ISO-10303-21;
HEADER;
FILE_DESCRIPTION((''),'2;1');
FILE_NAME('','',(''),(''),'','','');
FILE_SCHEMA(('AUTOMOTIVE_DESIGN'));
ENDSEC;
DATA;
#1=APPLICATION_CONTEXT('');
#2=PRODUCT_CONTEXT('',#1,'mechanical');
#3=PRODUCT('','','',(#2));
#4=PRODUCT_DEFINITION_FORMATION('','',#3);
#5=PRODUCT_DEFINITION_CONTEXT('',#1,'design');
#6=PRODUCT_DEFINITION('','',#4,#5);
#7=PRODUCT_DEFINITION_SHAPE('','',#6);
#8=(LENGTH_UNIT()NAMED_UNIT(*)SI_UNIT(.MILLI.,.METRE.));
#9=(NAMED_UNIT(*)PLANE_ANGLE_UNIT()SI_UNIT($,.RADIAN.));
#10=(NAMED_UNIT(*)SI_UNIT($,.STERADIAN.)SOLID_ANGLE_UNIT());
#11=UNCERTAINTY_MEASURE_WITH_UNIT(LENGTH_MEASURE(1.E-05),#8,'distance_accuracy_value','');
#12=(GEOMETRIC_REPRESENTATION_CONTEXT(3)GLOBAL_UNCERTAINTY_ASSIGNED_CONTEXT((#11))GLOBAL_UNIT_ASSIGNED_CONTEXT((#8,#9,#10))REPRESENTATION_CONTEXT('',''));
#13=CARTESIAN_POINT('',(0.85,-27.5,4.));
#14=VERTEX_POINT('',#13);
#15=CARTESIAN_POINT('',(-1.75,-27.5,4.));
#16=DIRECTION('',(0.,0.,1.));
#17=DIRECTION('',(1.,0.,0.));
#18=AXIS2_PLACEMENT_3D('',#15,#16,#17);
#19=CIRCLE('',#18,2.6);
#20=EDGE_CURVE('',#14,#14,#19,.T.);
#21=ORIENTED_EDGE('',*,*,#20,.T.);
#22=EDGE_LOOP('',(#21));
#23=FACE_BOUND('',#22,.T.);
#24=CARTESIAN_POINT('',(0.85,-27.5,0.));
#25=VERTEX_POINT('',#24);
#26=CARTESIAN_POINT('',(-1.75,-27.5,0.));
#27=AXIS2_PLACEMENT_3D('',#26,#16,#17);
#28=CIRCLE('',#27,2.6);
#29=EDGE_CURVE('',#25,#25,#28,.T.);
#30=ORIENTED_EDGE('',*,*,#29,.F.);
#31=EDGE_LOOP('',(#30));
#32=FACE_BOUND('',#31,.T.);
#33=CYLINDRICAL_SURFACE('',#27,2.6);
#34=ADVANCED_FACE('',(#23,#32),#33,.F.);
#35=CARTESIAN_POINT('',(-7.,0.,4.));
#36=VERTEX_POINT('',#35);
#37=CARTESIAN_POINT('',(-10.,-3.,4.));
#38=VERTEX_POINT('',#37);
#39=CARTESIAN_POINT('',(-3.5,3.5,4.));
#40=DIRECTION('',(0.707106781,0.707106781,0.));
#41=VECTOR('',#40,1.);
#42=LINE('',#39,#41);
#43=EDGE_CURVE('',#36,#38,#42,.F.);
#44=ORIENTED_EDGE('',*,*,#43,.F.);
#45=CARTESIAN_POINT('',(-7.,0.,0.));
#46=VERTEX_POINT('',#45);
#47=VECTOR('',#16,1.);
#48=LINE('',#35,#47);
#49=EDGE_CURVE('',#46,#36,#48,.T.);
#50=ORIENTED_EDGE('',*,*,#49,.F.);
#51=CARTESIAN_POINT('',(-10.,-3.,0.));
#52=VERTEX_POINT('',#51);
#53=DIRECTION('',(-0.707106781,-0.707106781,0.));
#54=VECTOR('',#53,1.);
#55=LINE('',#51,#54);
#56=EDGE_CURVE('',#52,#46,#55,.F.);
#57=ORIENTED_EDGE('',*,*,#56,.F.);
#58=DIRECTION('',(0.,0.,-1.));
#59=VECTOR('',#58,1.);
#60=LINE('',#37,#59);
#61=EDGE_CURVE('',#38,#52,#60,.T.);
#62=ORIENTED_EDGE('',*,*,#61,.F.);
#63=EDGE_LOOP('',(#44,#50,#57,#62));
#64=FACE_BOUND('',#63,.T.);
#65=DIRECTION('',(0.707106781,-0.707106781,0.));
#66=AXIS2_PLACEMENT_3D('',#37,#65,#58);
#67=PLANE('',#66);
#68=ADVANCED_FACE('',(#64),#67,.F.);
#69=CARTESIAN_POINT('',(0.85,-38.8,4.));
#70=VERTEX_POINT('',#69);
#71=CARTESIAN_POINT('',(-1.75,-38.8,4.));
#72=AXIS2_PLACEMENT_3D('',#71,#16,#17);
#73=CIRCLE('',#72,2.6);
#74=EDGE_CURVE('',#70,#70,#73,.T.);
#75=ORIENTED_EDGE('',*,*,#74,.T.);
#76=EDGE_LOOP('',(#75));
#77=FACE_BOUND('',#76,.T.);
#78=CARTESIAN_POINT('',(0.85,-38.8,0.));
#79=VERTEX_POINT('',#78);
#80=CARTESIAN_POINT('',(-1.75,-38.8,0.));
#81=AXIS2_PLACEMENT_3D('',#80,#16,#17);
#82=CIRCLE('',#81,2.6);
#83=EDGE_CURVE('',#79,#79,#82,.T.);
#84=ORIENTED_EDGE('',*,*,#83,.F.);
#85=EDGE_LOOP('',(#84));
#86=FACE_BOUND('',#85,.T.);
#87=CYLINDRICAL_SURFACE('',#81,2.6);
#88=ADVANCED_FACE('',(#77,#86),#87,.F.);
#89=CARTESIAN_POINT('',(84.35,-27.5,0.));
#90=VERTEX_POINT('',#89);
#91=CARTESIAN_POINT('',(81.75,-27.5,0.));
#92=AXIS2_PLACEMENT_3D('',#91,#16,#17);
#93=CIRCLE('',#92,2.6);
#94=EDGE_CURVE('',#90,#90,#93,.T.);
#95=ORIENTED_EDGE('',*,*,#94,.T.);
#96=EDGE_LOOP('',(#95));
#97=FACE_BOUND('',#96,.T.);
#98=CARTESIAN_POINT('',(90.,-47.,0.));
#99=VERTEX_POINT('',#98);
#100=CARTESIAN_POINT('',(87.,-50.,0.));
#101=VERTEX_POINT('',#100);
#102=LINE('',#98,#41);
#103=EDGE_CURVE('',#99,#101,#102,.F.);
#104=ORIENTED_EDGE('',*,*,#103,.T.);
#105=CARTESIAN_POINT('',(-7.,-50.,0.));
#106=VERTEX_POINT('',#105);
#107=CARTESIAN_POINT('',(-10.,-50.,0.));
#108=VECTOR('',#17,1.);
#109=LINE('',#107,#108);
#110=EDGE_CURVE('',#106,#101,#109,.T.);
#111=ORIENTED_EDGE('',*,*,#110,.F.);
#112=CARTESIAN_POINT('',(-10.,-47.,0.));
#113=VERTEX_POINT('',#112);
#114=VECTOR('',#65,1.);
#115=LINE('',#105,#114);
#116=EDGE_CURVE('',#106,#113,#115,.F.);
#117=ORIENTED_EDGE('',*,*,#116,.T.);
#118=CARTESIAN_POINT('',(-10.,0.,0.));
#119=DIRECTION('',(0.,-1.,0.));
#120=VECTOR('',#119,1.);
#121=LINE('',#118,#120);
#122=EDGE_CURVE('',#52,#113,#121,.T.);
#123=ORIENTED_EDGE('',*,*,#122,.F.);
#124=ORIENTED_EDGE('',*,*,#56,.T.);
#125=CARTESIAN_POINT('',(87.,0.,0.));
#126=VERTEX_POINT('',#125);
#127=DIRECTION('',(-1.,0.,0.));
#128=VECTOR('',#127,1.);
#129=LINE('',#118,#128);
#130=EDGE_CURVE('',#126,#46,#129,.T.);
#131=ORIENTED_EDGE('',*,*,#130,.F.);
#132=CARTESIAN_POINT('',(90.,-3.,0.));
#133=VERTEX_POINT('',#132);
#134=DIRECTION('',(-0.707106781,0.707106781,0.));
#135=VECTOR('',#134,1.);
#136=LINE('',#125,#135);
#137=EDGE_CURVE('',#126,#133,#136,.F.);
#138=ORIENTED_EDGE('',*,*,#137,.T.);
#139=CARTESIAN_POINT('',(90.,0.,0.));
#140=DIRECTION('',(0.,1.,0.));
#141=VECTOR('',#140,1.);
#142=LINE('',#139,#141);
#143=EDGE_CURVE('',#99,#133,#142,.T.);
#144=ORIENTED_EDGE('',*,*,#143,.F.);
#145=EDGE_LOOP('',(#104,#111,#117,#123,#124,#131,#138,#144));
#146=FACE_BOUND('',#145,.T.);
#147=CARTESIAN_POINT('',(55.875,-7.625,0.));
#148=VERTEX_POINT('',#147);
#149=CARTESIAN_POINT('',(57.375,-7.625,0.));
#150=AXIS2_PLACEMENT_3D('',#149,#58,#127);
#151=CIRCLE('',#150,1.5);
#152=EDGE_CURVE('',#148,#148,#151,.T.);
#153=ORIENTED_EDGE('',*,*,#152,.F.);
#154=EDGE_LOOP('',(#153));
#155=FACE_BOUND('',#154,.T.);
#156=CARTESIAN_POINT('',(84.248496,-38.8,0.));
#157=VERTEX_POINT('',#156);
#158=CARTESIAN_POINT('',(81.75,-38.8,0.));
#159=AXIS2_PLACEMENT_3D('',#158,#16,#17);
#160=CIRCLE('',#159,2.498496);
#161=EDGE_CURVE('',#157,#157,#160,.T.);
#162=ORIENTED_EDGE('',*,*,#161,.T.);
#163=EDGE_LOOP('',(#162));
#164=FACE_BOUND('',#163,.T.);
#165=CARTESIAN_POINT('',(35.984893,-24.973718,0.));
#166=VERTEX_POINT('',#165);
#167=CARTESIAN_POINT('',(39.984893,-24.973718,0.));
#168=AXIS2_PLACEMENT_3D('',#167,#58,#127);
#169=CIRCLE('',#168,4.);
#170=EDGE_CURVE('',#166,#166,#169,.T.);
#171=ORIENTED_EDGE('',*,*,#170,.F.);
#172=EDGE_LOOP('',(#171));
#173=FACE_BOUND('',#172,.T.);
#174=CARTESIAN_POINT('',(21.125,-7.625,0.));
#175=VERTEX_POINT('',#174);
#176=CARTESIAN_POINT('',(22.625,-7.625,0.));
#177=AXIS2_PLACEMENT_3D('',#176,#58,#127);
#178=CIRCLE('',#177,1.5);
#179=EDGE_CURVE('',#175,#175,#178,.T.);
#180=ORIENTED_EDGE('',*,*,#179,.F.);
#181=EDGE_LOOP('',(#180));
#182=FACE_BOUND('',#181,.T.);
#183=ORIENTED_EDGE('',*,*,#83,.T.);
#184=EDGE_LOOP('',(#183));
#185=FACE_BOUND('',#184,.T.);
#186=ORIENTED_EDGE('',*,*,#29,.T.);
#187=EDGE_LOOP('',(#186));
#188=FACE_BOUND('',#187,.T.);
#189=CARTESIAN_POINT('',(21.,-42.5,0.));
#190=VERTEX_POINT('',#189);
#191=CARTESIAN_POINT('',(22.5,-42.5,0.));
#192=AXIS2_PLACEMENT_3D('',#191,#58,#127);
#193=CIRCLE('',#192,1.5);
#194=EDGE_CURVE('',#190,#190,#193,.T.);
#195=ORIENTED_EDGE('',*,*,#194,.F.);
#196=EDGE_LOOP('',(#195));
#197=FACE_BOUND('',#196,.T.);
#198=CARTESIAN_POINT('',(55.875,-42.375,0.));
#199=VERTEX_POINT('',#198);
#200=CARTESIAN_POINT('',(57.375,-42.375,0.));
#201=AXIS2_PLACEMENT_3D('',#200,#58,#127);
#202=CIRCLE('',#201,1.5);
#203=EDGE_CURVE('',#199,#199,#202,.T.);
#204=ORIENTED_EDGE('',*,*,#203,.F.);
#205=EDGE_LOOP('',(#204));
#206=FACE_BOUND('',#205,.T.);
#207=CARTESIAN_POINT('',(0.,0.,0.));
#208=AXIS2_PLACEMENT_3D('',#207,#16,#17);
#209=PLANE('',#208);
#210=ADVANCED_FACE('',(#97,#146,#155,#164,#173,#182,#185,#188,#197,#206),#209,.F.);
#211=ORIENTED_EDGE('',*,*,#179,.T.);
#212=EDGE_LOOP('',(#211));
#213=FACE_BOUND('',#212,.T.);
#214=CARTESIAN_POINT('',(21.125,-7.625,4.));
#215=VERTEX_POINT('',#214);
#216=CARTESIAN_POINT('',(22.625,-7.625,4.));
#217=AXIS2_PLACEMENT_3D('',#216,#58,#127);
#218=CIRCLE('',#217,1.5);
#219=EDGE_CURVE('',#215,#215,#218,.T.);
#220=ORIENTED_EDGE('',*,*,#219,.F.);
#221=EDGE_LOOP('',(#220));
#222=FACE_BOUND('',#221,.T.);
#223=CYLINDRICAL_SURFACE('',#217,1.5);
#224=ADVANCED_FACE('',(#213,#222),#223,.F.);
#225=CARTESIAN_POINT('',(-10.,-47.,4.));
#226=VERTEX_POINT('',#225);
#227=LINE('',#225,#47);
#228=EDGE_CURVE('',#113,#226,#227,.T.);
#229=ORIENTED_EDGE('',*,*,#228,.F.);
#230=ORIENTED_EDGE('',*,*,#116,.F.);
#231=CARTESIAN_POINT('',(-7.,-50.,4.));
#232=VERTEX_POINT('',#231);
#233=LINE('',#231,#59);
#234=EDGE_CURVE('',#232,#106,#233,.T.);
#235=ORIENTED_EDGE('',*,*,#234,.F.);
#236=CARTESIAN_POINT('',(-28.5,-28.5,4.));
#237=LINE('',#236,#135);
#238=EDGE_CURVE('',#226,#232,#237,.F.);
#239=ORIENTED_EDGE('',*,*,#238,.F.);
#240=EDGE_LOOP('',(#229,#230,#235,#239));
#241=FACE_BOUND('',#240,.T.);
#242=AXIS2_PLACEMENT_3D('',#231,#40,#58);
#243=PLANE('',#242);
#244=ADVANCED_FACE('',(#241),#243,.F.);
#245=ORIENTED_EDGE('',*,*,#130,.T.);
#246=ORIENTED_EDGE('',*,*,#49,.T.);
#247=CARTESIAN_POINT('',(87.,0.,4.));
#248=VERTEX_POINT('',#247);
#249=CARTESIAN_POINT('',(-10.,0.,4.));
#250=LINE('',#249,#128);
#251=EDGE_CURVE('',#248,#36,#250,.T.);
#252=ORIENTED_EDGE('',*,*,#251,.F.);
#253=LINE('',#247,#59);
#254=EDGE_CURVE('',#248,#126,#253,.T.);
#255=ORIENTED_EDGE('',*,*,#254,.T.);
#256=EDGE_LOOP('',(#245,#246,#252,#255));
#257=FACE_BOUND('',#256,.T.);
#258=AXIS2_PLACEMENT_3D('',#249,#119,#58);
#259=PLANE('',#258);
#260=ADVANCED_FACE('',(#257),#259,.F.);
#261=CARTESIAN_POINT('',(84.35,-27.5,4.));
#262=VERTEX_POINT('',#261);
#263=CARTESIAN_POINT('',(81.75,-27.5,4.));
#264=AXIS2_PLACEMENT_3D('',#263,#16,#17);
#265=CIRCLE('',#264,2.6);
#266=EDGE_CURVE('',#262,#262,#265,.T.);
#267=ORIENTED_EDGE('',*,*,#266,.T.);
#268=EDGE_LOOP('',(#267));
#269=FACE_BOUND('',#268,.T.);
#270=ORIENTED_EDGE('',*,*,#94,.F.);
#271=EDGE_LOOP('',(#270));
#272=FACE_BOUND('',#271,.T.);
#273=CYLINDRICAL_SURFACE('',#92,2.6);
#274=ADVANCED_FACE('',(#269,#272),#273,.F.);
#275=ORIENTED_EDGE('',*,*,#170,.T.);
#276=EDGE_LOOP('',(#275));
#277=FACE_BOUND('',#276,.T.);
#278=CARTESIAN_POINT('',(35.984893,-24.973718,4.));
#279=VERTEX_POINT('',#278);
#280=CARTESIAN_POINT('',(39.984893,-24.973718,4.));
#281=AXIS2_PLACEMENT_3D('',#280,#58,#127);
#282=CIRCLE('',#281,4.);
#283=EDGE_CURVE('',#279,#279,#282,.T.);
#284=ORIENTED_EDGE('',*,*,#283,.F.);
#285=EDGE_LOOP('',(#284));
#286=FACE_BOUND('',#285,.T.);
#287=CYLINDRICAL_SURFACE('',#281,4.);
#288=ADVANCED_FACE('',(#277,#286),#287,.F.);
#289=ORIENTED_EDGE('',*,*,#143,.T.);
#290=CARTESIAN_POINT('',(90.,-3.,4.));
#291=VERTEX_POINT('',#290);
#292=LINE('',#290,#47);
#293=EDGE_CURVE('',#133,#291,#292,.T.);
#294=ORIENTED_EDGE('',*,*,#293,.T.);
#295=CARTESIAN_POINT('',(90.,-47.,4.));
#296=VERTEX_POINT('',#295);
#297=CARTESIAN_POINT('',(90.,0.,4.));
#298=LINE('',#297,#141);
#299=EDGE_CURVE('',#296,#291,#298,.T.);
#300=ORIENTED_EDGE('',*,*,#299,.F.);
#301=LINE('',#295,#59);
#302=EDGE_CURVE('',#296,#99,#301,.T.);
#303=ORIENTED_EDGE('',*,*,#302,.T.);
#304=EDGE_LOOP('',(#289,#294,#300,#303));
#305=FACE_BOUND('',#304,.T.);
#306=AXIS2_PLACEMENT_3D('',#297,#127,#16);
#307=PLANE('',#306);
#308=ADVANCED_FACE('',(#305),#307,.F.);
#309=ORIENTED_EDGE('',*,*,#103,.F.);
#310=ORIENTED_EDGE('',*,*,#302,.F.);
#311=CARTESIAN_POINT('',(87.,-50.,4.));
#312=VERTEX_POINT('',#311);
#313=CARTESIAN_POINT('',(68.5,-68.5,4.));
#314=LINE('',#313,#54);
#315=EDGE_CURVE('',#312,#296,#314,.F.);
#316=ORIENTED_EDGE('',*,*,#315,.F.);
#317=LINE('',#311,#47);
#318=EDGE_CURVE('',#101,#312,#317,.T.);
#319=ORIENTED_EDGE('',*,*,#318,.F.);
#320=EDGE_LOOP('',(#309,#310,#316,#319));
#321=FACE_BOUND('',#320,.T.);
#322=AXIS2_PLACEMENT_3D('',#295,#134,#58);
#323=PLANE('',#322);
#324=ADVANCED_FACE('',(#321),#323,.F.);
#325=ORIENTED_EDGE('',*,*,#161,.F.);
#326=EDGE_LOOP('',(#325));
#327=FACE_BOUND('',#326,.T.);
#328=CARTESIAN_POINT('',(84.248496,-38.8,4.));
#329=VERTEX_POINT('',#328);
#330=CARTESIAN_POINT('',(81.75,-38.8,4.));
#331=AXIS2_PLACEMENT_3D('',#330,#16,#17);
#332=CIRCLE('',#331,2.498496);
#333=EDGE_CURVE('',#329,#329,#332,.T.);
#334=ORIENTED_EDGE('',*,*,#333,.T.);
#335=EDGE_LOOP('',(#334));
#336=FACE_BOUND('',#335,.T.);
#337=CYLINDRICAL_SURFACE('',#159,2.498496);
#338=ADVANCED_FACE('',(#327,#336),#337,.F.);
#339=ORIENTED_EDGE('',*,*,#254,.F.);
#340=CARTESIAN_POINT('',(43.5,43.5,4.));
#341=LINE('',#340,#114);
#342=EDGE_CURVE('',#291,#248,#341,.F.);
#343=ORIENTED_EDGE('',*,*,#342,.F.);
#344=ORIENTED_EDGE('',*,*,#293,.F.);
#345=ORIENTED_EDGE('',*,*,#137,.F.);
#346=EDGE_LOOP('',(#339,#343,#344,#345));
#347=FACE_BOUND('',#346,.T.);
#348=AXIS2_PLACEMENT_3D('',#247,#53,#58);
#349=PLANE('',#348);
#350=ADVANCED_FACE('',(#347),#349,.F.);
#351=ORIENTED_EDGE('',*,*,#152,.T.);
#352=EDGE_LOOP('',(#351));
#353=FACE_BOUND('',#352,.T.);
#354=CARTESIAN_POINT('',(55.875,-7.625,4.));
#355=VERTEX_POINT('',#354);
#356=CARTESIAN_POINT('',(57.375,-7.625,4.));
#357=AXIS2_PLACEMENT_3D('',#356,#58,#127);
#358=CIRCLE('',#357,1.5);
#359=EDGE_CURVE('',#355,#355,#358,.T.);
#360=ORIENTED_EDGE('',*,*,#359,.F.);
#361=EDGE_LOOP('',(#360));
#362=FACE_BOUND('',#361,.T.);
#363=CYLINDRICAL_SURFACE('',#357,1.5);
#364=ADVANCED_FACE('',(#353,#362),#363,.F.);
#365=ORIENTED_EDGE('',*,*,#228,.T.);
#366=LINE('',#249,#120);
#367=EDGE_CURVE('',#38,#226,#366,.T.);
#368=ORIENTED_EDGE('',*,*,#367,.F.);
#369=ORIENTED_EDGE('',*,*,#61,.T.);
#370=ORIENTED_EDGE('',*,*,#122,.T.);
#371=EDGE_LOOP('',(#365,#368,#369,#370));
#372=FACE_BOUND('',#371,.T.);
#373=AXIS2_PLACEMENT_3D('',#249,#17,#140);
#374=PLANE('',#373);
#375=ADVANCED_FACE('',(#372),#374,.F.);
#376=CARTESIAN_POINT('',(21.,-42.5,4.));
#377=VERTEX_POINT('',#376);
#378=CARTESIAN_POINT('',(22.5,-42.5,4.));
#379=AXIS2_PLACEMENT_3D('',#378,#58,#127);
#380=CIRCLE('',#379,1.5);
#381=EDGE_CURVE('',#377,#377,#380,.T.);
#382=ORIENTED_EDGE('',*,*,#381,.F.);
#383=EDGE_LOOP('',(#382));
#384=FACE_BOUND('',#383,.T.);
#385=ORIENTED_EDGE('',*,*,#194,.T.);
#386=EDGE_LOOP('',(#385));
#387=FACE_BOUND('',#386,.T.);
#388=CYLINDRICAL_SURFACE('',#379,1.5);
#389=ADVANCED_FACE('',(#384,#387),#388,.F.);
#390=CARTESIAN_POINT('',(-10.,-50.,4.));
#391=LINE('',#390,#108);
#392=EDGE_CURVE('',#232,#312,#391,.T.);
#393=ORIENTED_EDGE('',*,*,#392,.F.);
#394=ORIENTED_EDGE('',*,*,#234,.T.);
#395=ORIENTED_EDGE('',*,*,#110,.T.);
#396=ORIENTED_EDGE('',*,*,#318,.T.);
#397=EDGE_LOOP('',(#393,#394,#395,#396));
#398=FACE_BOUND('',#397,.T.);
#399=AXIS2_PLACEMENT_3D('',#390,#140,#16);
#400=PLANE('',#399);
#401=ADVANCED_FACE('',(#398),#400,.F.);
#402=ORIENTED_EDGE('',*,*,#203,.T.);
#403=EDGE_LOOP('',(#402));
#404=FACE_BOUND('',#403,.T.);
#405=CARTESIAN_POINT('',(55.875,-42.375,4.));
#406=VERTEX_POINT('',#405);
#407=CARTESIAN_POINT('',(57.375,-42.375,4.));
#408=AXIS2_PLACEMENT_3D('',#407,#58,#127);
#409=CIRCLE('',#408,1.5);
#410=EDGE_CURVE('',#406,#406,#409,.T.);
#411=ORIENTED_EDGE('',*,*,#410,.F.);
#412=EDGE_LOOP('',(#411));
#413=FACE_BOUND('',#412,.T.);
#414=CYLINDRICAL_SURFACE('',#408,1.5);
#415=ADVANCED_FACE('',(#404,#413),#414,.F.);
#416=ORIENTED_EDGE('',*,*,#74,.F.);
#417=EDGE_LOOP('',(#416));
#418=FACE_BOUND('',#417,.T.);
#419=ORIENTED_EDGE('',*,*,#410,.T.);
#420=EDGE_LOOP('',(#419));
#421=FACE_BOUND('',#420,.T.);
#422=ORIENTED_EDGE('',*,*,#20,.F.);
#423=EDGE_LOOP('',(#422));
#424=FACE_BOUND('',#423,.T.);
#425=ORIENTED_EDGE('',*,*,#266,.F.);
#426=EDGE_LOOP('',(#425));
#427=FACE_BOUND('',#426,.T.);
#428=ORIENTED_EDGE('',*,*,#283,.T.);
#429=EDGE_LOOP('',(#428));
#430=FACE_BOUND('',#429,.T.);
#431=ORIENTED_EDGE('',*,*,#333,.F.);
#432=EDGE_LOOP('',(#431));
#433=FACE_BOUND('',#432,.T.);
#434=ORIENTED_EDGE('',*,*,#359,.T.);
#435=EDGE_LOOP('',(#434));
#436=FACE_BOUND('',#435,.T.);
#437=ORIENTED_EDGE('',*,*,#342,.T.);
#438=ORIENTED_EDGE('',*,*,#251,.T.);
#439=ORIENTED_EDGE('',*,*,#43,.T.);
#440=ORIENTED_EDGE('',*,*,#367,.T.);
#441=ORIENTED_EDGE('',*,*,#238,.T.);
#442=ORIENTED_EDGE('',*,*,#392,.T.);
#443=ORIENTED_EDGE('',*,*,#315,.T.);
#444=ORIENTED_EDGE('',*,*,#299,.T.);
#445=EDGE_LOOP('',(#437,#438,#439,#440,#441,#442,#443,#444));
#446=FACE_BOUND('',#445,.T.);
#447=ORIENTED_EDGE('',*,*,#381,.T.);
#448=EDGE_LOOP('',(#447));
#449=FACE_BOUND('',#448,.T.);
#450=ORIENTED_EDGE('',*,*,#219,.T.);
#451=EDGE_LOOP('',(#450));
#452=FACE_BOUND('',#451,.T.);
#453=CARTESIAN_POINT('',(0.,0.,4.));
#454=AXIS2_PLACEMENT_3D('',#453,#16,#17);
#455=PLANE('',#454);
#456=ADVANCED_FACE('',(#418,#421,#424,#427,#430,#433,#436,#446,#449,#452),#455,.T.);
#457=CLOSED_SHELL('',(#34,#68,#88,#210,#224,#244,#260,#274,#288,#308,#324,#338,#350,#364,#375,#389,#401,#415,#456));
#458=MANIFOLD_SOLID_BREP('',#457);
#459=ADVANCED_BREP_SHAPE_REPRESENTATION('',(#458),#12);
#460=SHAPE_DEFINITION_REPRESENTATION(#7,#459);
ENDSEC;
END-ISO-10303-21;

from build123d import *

# Parameters (mm, degrees)
ESQUISSE1_W             = 100
ESQUISSE1_H             = 50
BOSS_EXTRU_1_DEPTH      = 4
ESQUISSE2_R             = 1.5
ENL_V_MAT_EXTRU_1_DEPTH = 104.033974979
ESQUISSE3_R             = 4
ENL_V_MAT_EXTRU_2_DEPTH = 104.033974979
CONG_1_SIZE             = 3
ESQUISSE4_R             = 2.6
ESQUISSE4_R_2           = 2.49849628
ENL_V_MAT_EXTRU_3_DEPTH = 104.033974979


with BuildPart() as part:
    # Esquisse1 → Boss.-Extru.1 (new body)
    with BuildSketch(Plane.XY):
        with Locations((40, -25)):
            Rectangle(ESQUISSE1_W, ESQUISSE1_H)
    extrude(amount=BOSS_EXTRU_1_DEPTH)

    # Esquisse2 → Enlèv. mat.-Extru.1 (cut, through all)
    with BuildSketch(Plane(origin=(0, 0, 0), x_dir=(-1, 0, 0), z_dir=(0, 0, -1))):
        with Locations((-22.625, -7.625)):
            Circle(ESQUISSE2_R)
        with Locations((-57.375, -42.375)):
            Circle(ESQUISSE2_R)
        with Locations((-57.375, -7.625)):
            Circle(ESQUISSE2_R)
        with Locations((-22.5, -42.5)):
            Circle(ESQUISSE2_R)
    extrude(amount=-ENL_V_MAT_EXTRU_1_DEPTH, mode=Mode.SUBTRACT)

    # Esquisse3 → Enlèv. mat.-Extru.2 (cut, through all)
    with BuildSketch(Plane(origin=(0, 0, 0), x_dir=(-1, 0, 0), z_dir=(0, 0, -1))):
        with Locations((-39.984893454, -24.973718249)):
            Circle(ESQUISSE3_R)
    extrude(amount=-ENL_V_MAT_EXTRU_2_DEPTH, mode=Mode.SUBTRACT)

    # Congé1
    cong_1_edges = [part.edges().sort_by_distance(p)[0] for p in [
        (-10, 0, 2),
        (90, 0, 2),
        (90, -50, 2),
        (-10, -50, 2),
    ]]
    chamfer(cong_1_edges, length=CONG_1_SIZE)

    # Esquisse4 → Enlèv. mat.-Extru.3 (cut, through all)
    with BuildSketch(Plane.XY.offset(4)):
        with Locations((81.75, -27.5)):
            Circle(ESQUISSE4_R)
        with Locations((81.75, -38.8)):
            Circle(ESQUISSE4_R_2)
        with Locations((-1.75, -27.5)):
            Circle(ESQUISSE4_R)
        with Locations((-1.75, -38.8)):
            Circle(ESQUISSE4_R)
    extrude(amount=-ENL_V_MAT_EXTRU_3_DEPTH, mode=Mode.SUBTRACT)


solid = part.part
